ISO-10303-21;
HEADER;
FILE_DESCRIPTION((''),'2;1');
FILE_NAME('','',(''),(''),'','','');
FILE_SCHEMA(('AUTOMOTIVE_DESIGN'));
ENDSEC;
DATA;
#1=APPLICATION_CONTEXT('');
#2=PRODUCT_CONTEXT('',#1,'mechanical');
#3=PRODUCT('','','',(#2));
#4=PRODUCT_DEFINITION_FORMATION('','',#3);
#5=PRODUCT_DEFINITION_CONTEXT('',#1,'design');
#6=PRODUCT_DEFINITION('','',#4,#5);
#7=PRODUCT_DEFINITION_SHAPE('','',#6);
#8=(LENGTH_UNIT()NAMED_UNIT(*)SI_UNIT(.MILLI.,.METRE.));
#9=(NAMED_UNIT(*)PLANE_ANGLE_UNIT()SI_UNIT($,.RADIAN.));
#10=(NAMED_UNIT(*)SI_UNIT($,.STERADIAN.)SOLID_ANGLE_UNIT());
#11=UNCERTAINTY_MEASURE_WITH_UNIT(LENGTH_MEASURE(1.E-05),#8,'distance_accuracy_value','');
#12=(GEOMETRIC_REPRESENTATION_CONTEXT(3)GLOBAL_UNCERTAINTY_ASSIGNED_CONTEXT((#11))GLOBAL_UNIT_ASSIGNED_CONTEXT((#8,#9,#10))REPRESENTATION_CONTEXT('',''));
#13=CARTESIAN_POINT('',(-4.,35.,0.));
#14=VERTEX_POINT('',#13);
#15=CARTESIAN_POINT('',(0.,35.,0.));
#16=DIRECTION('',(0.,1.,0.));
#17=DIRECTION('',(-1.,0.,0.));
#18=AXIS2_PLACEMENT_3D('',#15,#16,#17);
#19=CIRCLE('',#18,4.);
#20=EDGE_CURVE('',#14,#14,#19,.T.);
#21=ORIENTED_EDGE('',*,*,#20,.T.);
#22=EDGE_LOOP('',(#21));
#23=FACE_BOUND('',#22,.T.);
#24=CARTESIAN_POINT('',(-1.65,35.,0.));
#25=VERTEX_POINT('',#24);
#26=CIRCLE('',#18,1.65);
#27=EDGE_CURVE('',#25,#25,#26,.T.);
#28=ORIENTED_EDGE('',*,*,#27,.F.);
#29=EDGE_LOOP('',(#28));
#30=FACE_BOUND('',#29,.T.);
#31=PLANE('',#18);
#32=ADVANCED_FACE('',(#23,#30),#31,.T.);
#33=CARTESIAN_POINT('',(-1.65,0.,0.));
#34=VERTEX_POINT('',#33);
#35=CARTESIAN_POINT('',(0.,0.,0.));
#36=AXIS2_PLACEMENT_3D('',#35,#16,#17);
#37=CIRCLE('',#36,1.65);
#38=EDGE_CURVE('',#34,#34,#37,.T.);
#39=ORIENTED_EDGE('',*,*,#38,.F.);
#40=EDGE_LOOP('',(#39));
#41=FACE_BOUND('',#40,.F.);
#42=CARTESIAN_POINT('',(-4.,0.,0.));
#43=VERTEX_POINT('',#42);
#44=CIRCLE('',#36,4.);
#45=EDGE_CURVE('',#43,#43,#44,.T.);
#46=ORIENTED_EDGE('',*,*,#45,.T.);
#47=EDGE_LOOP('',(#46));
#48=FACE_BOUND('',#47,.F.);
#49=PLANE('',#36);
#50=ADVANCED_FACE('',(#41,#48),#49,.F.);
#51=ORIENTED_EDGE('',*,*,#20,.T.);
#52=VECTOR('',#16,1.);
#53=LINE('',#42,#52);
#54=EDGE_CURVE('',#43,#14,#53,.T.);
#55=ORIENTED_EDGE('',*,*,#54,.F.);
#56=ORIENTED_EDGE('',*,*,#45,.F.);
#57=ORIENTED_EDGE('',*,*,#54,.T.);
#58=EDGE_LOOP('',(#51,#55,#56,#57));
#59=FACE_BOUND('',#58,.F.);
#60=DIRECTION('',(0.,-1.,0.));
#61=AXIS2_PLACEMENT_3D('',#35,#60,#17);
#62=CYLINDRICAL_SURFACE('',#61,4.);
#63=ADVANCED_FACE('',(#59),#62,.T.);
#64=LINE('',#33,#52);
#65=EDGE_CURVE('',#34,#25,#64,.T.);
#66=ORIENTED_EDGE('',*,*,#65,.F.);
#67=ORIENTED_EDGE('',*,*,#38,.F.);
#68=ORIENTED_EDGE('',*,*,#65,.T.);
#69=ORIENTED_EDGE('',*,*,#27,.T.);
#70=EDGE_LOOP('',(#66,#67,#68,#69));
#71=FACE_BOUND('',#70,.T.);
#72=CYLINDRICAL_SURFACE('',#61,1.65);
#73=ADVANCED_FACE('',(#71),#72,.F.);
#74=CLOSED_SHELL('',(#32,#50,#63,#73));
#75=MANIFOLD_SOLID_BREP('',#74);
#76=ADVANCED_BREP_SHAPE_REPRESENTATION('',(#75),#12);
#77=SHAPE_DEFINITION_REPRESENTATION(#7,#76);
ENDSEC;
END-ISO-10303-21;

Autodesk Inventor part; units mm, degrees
ref_plane "YZ Plane" through (0, 0, 0) normal (1, 0, 0) x (0, 1, 0)
ref_plane "XZ Plane" through (0, 0, 0) normal (0, 1, 0) x (-1, 0, 0)
ref_plane "XY Plane" through (0, 0, 0) normal (0, 0, 1) x (1, 0, 0)
sketch "Эскиз1" plane through (0, 0, 0) normal (0, 1, 0) x (-1, 0, 0)
  circle A0 centre (0, 0) radius 1.65
  circle A1 centre (0, 0) radius 4
  dimension "d0" = 3.3
  dimension "d5" = 8
extrude "Выдавливание1" add sketch "Эскиз1" along normal blind 35
